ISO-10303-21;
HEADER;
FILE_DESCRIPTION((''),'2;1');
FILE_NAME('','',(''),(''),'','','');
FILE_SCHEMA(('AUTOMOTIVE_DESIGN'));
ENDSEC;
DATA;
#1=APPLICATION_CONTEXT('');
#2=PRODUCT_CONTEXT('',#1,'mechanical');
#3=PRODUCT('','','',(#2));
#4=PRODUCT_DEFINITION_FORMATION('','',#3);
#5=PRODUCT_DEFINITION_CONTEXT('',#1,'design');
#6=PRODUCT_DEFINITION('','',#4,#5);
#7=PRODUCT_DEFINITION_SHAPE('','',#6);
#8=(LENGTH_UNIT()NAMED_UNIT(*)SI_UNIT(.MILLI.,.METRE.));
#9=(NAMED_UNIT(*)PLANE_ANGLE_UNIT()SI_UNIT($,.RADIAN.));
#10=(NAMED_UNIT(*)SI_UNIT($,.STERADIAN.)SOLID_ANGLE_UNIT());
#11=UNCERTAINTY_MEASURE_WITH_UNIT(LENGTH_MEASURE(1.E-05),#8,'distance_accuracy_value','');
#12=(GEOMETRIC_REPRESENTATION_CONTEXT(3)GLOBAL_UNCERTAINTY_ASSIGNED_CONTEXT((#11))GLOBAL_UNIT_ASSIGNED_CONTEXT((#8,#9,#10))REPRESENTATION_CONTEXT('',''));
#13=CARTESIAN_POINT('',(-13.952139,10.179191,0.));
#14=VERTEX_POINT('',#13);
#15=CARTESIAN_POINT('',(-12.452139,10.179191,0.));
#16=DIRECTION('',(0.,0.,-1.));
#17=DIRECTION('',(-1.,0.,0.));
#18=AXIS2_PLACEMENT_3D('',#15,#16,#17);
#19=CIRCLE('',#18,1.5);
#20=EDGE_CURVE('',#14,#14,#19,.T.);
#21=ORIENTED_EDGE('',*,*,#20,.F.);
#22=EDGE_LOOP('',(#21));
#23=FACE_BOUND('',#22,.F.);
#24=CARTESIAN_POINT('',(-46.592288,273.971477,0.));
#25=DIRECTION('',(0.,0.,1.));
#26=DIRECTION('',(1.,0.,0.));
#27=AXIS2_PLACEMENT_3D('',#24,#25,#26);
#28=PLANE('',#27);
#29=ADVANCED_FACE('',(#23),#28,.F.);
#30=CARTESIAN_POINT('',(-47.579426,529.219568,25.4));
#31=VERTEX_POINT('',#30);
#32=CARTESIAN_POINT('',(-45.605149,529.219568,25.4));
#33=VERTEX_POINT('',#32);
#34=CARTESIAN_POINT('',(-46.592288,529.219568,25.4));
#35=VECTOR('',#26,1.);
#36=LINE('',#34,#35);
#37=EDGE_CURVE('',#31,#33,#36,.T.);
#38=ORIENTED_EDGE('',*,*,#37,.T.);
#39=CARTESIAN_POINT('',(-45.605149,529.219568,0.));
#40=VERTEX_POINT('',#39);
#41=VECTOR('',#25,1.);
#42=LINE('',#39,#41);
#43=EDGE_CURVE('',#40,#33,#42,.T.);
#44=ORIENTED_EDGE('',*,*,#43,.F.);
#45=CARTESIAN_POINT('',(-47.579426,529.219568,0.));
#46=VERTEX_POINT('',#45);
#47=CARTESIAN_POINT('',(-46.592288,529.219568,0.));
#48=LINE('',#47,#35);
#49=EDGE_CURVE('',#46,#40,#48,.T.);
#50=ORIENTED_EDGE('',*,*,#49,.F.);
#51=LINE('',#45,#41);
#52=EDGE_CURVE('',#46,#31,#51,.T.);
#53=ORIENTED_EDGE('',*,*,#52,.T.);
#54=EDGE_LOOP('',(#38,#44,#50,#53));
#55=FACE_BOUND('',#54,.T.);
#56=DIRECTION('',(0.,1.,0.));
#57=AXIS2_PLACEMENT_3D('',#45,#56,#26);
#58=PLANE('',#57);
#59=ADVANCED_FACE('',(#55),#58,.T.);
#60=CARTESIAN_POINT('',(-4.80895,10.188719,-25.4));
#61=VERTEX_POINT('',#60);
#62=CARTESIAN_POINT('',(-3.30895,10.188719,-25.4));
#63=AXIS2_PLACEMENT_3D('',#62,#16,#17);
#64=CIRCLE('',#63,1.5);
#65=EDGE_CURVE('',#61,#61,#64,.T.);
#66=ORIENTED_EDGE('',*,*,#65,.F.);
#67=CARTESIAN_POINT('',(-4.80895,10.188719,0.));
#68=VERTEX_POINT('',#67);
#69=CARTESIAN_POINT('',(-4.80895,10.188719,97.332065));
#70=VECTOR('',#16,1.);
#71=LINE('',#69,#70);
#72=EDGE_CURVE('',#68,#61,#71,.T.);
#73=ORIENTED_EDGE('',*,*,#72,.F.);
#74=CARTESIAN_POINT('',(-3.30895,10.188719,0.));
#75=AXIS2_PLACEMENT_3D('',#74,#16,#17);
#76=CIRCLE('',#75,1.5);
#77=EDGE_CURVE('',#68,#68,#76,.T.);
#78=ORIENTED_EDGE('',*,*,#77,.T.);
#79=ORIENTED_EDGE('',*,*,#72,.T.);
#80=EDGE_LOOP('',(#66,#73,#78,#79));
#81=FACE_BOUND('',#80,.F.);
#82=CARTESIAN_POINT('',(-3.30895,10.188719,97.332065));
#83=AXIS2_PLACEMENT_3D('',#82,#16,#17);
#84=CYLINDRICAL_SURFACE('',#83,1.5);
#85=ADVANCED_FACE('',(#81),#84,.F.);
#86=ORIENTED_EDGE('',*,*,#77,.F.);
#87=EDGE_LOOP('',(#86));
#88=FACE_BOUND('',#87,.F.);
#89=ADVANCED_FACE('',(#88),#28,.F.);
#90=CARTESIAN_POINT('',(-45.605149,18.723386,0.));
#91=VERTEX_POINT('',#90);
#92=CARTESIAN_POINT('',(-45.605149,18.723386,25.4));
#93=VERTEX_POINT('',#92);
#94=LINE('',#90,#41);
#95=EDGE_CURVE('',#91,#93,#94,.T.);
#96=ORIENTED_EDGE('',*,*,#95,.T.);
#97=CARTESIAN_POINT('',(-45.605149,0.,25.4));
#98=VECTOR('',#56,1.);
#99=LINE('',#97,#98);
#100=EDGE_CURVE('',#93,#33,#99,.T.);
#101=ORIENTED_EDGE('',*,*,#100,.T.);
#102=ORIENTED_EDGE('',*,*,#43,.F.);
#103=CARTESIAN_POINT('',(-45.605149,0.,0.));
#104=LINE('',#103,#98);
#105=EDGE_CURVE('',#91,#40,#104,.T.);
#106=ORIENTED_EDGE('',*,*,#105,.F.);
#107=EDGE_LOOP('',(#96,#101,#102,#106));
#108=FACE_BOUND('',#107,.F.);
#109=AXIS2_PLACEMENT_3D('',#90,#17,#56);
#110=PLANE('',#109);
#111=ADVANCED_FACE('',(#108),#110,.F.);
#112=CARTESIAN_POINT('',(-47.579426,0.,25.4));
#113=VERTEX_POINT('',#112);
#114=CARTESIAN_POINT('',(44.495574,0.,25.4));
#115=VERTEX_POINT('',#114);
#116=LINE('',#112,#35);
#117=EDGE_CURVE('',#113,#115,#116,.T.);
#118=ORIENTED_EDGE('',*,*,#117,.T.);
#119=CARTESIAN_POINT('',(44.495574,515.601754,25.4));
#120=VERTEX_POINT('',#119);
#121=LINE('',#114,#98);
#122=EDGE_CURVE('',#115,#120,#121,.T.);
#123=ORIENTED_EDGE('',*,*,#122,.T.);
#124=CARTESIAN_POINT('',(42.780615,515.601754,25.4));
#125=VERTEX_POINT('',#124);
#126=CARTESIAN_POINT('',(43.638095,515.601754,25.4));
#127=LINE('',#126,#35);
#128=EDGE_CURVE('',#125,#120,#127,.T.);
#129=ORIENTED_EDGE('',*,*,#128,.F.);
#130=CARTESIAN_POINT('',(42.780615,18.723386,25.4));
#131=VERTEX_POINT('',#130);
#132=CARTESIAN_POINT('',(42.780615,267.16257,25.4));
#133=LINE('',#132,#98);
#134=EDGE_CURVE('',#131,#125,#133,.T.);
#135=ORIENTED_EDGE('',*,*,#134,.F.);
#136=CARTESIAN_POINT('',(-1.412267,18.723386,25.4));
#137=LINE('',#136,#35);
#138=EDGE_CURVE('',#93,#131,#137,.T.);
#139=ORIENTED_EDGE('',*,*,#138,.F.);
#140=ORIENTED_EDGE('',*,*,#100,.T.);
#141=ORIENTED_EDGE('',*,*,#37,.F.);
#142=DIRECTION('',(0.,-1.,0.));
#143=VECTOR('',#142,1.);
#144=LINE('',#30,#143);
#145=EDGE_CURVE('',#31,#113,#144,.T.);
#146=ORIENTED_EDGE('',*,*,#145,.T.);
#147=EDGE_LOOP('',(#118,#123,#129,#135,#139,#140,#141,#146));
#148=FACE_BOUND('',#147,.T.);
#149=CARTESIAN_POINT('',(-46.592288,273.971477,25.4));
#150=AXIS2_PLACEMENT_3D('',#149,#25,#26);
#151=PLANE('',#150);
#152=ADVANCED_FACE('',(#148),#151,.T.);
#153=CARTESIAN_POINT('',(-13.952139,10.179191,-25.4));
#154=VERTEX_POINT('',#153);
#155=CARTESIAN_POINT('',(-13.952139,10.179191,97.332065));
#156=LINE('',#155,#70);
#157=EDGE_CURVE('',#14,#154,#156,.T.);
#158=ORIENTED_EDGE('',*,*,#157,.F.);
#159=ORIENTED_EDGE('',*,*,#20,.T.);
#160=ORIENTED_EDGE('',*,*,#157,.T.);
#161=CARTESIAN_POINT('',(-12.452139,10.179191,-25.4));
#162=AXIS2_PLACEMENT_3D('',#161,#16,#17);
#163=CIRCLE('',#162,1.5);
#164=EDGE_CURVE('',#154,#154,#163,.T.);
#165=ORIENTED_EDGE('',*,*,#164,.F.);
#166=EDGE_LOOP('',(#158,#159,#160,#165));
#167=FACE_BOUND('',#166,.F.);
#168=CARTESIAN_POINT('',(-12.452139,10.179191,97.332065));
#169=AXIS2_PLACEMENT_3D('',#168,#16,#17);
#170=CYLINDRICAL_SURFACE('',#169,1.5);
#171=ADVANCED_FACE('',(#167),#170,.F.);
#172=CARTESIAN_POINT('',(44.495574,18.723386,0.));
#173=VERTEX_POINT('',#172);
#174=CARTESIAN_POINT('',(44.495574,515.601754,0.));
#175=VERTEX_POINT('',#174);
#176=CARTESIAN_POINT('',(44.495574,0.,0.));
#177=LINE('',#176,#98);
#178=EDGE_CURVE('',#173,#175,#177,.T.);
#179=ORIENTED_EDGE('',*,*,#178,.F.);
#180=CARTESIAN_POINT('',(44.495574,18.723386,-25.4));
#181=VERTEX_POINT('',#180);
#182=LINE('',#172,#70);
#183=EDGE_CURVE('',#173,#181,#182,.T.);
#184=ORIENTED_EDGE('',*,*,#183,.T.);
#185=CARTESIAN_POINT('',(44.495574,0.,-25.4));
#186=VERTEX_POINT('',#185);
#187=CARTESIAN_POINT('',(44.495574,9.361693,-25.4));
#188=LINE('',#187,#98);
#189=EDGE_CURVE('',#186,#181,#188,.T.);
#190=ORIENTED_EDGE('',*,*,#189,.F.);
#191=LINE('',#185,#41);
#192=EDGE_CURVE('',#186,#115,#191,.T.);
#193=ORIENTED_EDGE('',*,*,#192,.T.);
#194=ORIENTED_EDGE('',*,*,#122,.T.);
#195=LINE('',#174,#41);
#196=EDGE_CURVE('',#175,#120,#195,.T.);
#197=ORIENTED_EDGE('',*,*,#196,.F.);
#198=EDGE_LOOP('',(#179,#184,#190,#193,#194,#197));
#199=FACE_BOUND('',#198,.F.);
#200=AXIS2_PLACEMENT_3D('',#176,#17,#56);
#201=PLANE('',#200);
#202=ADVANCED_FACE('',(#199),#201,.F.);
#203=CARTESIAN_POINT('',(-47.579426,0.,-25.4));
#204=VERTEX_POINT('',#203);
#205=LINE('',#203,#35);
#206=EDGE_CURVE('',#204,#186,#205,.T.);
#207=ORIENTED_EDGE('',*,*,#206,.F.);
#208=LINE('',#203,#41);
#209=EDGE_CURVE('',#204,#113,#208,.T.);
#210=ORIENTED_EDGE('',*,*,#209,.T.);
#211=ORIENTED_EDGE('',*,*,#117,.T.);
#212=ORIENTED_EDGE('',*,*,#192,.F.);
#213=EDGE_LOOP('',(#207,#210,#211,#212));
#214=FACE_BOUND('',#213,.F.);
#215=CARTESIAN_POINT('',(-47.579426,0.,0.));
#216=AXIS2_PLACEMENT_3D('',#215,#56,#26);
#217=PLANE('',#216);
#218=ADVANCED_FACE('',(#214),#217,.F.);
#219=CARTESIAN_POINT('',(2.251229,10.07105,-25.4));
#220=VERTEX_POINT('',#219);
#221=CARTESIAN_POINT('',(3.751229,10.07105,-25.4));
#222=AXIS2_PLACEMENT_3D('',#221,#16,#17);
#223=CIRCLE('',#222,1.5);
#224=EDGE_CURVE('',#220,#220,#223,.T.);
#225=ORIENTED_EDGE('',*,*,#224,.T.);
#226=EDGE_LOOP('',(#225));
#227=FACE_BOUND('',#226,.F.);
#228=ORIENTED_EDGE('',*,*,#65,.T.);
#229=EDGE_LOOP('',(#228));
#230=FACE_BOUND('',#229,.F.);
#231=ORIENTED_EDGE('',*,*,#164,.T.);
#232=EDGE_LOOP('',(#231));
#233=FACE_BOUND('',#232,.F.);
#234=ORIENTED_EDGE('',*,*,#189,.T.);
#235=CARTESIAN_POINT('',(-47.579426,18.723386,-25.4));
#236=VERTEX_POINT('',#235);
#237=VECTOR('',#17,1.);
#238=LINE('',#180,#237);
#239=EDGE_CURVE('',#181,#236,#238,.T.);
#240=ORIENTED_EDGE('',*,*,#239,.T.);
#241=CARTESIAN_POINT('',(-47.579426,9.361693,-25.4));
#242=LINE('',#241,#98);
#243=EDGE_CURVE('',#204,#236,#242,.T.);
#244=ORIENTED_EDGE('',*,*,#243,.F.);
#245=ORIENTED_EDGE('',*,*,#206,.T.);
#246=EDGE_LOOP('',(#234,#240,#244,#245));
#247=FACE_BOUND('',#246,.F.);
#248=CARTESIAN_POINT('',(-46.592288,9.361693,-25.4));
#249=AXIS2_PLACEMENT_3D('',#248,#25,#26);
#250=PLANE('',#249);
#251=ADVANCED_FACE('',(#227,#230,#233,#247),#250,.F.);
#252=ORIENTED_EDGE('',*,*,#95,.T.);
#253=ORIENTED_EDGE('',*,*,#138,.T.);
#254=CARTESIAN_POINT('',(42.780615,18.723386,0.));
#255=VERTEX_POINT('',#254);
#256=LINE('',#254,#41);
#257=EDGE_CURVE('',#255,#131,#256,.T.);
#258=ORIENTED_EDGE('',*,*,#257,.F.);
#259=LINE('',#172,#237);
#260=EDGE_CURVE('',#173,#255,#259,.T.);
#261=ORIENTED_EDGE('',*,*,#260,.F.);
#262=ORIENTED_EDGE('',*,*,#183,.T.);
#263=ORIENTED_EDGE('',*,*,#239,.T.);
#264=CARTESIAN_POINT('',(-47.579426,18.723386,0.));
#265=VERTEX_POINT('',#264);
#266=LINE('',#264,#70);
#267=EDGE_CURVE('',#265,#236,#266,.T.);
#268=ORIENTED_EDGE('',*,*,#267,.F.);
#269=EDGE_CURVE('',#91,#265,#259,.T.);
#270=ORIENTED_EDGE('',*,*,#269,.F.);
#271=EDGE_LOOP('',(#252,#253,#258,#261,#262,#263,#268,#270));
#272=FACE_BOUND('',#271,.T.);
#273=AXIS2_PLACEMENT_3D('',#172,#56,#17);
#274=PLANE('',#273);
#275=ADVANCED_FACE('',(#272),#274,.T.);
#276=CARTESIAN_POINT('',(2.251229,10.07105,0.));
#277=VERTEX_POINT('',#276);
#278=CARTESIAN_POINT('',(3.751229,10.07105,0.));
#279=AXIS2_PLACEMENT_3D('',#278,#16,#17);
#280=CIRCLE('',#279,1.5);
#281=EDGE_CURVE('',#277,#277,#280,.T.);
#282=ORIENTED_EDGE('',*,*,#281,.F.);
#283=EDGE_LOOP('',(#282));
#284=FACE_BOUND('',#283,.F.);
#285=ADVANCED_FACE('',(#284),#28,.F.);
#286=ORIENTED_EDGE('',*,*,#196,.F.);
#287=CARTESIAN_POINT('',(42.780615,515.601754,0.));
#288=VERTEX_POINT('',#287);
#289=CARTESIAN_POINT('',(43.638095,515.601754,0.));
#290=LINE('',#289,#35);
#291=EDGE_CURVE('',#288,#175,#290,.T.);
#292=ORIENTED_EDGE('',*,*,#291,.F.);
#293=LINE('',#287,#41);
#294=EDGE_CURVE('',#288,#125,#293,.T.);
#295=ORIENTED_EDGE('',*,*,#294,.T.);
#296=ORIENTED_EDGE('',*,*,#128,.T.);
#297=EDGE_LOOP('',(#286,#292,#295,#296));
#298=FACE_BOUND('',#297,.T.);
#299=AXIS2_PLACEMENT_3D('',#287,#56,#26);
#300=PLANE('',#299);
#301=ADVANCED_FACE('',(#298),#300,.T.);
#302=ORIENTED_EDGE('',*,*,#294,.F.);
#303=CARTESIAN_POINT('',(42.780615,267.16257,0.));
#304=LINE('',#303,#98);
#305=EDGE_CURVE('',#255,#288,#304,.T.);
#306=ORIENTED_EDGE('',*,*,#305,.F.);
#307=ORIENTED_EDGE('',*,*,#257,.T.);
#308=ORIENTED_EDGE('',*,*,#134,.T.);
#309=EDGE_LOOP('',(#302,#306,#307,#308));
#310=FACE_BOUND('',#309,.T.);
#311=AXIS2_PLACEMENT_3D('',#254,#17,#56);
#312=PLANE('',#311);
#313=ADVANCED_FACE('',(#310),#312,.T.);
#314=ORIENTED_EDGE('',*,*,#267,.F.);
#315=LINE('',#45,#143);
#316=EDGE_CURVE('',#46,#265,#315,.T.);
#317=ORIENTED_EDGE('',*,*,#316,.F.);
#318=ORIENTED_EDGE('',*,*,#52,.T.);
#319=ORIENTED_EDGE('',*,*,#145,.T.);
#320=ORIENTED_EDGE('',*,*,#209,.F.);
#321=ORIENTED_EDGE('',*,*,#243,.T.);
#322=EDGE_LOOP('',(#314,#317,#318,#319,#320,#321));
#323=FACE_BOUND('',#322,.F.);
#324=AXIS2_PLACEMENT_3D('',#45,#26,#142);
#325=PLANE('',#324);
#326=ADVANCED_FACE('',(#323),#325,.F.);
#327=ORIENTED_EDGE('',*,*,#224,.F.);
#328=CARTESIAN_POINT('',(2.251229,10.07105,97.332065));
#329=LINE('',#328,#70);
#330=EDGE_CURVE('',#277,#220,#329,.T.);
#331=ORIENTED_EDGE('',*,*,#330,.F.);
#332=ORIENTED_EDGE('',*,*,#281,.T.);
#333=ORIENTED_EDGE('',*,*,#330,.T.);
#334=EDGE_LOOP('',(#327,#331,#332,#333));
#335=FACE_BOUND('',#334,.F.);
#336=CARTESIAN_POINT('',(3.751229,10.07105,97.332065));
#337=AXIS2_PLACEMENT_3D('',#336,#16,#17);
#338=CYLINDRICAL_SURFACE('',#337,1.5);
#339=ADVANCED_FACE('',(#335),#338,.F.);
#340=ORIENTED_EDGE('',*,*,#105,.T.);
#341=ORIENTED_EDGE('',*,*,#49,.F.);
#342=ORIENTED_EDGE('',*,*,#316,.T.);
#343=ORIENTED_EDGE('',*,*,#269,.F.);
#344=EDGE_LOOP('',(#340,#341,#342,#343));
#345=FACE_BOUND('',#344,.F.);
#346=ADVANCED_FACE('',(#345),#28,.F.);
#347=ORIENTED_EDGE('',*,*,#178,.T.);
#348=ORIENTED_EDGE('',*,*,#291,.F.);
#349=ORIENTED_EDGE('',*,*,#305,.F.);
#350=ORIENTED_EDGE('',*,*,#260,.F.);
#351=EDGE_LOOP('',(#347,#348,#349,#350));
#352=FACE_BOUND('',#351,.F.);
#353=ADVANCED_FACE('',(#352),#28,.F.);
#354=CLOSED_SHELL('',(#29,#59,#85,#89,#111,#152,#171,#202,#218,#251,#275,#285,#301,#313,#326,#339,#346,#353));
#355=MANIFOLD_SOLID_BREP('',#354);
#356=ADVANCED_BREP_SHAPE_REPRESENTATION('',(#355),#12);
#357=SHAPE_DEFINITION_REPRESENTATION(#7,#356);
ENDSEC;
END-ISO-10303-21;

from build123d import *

# Parameters (mm, degrees)
F0_W     = 1.9742772416
F0_H     = 18.7233856638
F0_W_2   = 88.3857645094
F0_W_3   = 1.7149582489
F1_DEPTH = 25.4
F3_D     = 3
F0_H_2   = 510.4961821119
F0_H_3   = 496.8783685247
F4_DEPTH = 25.4


with BuildPart() as f1:
    # F0 (on Top) → F1 (new body)
    with BuildSketch(Plane.XY):
        with Locations((-46.5922877409, 9.3616928319)):
            Rectangle(F0_W, F0_H)
        with Locations((-1.4122668654, 9.3616928319)):
            Rectangle(F0_W_2, F0_H)
        with Locations((43.6380945138, 9.3616928319)):
            Rectangle(F0_W_3, F0_H)
    extrude(amount=-F1_DEPTH)

    # F3 (through all)
    with Locations(Plane.XY):
        with Locations((3.7512294251, 10.0710503428), (-3.3089503626, 10.1887194856), (-12.4521386383, 10.1791908965)):
            Hole(F3_D / 2)

    # F0 (on Top) → F4 (join)
    with BuildSketch(Plane.XY):
        with Locations((-46.5922877409, 273.9714767198)):
            Rectangle(F0_W, F0_H_2)
        with Locations((-46.5922877409, 9.3616928319)):
            Rectangle(F0_W, F0_H)
        with Locations((-1.4122668654, 9.3616928319)):
            Rectangle(F0_W_2, F0_H)
        with Locations((43.6380945138, 267.1625699262)):
            Rectangle(F0_W_3, F0_H_3)
        with Locations((43.6380945138, 9.3616928319)):
            Rectangle(F0_W_3, F0_H)
    extrude(amount=F4_DEPTH)


solid = f1.part
